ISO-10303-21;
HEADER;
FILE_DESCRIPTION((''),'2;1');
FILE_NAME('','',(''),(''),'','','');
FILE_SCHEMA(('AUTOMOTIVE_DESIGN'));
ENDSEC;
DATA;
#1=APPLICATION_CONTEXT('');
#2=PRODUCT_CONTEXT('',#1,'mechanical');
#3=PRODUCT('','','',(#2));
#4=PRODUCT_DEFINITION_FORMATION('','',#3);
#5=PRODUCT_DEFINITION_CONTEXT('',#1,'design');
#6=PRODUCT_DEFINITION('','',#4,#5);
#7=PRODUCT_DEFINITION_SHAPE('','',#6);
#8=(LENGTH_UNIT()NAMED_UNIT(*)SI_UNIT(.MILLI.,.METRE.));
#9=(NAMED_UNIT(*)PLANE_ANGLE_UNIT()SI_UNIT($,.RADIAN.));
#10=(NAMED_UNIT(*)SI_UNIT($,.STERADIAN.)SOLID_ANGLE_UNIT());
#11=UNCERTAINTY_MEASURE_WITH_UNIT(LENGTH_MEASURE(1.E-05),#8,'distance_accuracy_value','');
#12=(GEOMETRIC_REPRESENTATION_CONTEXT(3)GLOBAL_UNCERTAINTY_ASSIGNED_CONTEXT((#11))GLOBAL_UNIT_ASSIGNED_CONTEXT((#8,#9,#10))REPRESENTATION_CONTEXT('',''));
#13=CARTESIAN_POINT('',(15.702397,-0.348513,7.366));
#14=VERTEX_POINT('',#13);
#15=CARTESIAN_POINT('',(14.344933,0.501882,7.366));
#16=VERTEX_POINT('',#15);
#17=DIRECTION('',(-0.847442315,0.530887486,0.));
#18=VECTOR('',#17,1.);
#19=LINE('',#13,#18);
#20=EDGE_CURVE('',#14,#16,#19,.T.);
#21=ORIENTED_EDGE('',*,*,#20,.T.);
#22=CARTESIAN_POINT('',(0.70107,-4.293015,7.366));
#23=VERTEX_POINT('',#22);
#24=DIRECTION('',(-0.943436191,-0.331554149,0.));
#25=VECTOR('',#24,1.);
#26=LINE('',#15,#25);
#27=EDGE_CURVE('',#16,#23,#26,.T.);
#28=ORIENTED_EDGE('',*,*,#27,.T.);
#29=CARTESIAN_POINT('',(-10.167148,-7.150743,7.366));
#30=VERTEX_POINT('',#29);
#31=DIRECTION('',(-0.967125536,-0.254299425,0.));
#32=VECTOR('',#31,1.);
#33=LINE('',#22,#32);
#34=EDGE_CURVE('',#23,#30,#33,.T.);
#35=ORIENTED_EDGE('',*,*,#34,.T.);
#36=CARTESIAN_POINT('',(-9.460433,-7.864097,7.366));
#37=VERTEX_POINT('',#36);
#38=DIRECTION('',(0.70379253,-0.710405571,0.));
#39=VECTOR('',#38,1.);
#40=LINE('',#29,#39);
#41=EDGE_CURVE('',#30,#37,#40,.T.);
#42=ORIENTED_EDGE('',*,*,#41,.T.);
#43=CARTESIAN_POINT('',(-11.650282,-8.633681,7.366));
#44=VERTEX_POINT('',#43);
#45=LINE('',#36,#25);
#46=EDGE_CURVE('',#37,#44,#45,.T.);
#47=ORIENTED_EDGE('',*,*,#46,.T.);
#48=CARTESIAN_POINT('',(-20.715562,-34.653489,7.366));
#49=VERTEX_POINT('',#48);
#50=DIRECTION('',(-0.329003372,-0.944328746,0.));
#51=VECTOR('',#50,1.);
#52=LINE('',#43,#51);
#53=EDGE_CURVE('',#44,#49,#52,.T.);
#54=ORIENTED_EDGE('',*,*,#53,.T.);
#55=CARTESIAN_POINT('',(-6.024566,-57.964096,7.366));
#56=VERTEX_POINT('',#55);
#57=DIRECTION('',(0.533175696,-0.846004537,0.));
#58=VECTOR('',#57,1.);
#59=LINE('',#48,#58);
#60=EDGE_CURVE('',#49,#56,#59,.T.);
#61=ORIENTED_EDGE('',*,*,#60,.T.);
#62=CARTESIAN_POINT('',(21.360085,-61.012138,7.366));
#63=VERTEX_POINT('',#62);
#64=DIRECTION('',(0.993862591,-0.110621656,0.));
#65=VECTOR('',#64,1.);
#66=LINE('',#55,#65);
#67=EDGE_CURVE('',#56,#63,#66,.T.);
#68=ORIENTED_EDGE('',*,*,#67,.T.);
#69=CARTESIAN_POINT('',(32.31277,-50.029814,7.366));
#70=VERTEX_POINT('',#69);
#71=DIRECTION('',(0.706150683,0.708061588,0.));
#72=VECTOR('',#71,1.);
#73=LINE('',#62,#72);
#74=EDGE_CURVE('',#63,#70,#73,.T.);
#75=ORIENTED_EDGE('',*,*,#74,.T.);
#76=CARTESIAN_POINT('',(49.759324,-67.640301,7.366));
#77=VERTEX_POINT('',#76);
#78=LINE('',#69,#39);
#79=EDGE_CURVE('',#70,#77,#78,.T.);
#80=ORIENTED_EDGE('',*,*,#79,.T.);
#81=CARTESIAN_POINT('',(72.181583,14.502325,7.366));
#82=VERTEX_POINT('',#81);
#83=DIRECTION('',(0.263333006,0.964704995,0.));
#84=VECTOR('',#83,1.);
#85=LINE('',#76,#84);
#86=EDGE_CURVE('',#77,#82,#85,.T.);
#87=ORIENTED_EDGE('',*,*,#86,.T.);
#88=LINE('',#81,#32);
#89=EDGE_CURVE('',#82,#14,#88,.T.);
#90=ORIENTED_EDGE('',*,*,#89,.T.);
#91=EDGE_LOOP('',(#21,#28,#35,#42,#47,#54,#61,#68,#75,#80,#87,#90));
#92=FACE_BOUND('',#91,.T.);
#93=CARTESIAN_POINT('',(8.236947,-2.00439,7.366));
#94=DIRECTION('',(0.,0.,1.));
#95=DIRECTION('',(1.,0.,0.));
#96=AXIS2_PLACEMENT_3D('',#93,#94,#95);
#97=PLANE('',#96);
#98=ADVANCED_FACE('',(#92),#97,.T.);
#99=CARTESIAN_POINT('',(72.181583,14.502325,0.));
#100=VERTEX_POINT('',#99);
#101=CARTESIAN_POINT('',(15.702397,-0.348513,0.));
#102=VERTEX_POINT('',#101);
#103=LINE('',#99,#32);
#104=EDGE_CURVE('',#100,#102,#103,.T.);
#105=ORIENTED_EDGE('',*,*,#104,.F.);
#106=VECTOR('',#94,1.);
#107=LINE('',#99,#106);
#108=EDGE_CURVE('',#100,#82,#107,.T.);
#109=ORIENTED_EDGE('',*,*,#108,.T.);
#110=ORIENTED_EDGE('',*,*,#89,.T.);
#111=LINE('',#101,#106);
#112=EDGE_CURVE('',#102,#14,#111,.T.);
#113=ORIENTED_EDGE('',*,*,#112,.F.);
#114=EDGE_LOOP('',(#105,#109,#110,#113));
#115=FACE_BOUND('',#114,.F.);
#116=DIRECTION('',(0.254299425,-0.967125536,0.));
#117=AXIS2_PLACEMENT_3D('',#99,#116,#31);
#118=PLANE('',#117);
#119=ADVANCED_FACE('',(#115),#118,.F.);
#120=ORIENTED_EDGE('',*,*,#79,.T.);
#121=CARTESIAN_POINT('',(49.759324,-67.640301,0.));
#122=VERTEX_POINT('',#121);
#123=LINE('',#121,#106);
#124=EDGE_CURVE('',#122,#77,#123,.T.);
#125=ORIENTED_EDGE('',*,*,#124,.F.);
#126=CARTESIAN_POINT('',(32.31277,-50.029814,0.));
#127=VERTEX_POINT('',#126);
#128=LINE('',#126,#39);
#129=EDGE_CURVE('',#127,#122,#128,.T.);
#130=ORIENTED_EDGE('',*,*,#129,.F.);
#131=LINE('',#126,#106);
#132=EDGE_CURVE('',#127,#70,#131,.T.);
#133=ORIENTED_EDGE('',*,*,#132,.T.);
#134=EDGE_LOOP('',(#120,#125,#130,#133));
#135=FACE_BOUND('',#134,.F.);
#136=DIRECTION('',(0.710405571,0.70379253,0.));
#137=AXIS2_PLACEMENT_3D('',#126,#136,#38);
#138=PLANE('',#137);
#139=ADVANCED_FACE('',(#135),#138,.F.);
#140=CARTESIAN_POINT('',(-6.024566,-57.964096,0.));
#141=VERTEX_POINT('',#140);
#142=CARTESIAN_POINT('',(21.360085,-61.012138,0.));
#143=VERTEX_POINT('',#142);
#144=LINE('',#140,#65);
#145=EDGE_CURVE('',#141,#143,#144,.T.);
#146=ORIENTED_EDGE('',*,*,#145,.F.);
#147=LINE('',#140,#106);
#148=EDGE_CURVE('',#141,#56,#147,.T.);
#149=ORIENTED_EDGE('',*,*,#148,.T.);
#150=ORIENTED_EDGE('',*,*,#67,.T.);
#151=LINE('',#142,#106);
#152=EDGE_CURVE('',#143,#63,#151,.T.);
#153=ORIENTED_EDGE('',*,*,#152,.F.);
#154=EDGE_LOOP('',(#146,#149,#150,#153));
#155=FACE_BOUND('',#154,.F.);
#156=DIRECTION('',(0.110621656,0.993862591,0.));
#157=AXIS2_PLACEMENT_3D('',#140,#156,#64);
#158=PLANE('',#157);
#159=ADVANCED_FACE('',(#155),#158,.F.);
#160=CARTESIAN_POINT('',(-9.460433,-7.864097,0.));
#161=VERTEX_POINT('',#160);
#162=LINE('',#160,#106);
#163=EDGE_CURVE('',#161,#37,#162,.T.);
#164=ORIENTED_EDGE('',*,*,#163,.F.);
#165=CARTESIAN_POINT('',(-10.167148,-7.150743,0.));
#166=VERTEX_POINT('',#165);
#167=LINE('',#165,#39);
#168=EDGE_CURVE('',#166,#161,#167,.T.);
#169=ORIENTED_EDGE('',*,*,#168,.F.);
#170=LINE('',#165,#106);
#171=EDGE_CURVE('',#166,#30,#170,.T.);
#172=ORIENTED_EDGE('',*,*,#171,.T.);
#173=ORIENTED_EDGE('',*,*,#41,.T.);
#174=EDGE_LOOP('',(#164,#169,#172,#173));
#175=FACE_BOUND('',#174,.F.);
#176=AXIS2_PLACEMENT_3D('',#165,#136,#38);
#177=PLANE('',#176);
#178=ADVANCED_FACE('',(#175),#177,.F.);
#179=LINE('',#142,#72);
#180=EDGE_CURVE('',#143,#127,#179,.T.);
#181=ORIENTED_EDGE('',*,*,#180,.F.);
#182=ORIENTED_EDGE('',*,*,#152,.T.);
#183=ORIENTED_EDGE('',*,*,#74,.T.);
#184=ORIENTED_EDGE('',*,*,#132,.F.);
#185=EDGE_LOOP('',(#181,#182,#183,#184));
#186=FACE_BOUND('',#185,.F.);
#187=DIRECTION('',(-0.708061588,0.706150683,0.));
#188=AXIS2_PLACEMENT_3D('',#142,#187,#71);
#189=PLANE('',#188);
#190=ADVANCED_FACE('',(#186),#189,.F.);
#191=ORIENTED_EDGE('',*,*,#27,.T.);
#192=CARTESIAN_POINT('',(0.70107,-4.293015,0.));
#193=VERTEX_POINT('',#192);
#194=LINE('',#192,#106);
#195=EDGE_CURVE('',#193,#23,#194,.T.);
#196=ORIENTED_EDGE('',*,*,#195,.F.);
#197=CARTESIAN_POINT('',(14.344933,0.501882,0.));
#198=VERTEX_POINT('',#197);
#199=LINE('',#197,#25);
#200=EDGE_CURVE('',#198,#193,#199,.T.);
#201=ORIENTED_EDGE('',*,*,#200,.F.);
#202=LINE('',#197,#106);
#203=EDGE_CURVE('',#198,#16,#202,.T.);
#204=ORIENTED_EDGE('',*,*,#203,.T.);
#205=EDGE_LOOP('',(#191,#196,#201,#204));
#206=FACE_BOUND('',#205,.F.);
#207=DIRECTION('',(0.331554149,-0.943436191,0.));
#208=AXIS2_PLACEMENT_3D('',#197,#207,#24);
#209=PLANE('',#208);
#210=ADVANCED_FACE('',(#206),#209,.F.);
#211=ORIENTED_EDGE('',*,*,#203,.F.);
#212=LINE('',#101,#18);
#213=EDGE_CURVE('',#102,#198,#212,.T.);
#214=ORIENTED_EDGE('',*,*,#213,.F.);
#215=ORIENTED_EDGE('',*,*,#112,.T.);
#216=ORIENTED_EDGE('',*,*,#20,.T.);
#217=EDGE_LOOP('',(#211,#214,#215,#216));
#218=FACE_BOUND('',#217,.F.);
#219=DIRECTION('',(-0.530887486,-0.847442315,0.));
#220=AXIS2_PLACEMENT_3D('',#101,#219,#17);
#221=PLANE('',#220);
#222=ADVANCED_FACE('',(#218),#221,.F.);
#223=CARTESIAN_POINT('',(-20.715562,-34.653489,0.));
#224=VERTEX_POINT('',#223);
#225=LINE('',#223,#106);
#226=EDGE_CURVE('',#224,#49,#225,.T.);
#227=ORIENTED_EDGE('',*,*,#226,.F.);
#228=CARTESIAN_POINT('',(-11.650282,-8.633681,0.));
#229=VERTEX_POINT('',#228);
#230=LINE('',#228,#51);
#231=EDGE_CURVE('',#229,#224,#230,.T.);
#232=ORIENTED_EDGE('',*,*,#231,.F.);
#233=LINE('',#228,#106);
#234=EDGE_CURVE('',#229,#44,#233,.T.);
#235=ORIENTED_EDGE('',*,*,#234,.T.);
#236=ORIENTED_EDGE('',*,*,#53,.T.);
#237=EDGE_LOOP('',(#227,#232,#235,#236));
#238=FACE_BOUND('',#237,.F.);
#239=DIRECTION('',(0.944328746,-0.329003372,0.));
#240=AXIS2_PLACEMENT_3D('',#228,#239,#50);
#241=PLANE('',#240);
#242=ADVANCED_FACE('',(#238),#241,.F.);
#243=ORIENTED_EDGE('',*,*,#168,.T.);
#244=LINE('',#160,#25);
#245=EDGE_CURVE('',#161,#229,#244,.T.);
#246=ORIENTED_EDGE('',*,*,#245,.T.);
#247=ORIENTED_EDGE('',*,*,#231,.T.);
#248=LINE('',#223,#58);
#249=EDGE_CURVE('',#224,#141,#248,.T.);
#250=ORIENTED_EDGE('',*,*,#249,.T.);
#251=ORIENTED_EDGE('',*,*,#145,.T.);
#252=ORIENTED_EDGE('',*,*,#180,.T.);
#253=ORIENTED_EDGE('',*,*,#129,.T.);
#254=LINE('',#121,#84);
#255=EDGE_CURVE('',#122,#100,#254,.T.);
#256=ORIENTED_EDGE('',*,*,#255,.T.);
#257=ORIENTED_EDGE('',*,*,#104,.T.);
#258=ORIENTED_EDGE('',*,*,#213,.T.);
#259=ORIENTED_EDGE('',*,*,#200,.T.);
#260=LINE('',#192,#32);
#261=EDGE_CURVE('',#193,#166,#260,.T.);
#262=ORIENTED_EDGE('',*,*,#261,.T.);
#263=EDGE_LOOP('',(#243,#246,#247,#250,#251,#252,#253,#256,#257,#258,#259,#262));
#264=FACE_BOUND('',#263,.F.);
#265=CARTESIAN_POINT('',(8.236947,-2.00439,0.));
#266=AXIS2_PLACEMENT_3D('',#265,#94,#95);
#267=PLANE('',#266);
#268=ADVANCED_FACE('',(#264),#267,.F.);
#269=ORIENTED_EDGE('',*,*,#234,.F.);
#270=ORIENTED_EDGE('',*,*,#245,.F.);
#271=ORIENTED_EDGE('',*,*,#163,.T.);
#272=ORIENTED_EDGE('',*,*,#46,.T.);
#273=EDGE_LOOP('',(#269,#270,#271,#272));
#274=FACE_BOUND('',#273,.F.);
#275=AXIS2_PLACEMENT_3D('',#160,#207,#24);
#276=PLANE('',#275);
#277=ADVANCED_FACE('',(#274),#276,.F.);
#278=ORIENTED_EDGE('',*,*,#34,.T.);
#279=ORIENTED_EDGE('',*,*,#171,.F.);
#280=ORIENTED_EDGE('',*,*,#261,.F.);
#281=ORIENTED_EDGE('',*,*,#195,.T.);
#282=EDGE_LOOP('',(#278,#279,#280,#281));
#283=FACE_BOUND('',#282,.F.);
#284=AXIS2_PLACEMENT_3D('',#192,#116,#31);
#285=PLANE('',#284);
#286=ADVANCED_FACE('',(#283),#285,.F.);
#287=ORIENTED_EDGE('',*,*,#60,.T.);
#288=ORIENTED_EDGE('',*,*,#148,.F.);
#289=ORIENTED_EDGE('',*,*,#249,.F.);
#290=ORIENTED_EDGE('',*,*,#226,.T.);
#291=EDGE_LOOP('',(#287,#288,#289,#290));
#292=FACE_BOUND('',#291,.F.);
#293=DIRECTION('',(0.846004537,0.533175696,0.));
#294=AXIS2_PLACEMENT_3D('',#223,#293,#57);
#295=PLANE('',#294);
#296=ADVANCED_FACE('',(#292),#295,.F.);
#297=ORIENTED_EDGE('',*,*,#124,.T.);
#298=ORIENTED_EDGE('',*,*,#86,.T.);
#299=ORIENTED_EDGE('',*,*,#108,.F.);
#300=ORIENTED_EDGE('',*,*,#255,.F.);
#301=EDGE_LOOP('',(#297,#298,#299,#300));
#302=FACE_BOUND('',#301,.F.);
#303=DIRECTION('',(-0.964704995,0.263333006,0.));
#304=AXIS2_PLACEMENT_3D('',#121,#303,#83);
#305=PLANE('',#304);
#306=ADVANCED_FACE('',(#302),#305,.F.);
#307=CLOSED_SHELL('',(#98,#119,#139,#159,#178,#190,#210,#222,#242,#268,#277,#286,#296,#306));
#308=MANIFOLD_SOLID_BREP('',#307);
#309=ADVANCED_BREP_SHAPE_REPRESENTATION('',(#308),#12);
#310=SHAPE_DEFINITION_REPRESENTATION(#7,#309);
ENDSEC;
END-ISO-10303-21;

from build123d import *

# Parameters (mm, degrees)
F1_DEPTH = 7.366


with BuildPart() as f1:
    # F0 (on Top) → F1 (new body)
    with BuildSketch(Plane.XY):
        Polygon((15.7023970503, -0.3485125312), (14.3449331899, 0.5018823129), (0.7010700917, -4.2930147397), align=None)
        Polygon((72.1815829965, 14.5023252855), (15.7023970503, -0.3485125312), (37.6951557319, -14.1260642838), (40.8171921849, -41.502378915), (32.3127703641, -50.0298144352), (49.7593244376, -67.6403014412), align=None)
        Polygon((37.6951557319, -14.1260642838), (15.7023970503, -0.3485125312), (0.7010700917, -4.2930147397), (-9.4604333978, -7.8640974148), (32.3127703641, -50.0298144352), (40.8171921849, -41.502378915), align=None)
        Polygon((-9.4604333978, -7.8640974148), (0.7010700917, -4.2930147397), (-10.1671477618, -7.1507425556), align=None)
        Polygon((32.3127703641, -50.0298144352), (-9.4604333978, -7.8640974148), (-11.6502816094, -8.633681268), (-20.7155617162, -34.6534893185), (-6.0245663122, -57.9640956692), (21.3600854217, -61.0121382883), align=None)
    extrude(amount=F1_DEPTH)


solid = f1.part
